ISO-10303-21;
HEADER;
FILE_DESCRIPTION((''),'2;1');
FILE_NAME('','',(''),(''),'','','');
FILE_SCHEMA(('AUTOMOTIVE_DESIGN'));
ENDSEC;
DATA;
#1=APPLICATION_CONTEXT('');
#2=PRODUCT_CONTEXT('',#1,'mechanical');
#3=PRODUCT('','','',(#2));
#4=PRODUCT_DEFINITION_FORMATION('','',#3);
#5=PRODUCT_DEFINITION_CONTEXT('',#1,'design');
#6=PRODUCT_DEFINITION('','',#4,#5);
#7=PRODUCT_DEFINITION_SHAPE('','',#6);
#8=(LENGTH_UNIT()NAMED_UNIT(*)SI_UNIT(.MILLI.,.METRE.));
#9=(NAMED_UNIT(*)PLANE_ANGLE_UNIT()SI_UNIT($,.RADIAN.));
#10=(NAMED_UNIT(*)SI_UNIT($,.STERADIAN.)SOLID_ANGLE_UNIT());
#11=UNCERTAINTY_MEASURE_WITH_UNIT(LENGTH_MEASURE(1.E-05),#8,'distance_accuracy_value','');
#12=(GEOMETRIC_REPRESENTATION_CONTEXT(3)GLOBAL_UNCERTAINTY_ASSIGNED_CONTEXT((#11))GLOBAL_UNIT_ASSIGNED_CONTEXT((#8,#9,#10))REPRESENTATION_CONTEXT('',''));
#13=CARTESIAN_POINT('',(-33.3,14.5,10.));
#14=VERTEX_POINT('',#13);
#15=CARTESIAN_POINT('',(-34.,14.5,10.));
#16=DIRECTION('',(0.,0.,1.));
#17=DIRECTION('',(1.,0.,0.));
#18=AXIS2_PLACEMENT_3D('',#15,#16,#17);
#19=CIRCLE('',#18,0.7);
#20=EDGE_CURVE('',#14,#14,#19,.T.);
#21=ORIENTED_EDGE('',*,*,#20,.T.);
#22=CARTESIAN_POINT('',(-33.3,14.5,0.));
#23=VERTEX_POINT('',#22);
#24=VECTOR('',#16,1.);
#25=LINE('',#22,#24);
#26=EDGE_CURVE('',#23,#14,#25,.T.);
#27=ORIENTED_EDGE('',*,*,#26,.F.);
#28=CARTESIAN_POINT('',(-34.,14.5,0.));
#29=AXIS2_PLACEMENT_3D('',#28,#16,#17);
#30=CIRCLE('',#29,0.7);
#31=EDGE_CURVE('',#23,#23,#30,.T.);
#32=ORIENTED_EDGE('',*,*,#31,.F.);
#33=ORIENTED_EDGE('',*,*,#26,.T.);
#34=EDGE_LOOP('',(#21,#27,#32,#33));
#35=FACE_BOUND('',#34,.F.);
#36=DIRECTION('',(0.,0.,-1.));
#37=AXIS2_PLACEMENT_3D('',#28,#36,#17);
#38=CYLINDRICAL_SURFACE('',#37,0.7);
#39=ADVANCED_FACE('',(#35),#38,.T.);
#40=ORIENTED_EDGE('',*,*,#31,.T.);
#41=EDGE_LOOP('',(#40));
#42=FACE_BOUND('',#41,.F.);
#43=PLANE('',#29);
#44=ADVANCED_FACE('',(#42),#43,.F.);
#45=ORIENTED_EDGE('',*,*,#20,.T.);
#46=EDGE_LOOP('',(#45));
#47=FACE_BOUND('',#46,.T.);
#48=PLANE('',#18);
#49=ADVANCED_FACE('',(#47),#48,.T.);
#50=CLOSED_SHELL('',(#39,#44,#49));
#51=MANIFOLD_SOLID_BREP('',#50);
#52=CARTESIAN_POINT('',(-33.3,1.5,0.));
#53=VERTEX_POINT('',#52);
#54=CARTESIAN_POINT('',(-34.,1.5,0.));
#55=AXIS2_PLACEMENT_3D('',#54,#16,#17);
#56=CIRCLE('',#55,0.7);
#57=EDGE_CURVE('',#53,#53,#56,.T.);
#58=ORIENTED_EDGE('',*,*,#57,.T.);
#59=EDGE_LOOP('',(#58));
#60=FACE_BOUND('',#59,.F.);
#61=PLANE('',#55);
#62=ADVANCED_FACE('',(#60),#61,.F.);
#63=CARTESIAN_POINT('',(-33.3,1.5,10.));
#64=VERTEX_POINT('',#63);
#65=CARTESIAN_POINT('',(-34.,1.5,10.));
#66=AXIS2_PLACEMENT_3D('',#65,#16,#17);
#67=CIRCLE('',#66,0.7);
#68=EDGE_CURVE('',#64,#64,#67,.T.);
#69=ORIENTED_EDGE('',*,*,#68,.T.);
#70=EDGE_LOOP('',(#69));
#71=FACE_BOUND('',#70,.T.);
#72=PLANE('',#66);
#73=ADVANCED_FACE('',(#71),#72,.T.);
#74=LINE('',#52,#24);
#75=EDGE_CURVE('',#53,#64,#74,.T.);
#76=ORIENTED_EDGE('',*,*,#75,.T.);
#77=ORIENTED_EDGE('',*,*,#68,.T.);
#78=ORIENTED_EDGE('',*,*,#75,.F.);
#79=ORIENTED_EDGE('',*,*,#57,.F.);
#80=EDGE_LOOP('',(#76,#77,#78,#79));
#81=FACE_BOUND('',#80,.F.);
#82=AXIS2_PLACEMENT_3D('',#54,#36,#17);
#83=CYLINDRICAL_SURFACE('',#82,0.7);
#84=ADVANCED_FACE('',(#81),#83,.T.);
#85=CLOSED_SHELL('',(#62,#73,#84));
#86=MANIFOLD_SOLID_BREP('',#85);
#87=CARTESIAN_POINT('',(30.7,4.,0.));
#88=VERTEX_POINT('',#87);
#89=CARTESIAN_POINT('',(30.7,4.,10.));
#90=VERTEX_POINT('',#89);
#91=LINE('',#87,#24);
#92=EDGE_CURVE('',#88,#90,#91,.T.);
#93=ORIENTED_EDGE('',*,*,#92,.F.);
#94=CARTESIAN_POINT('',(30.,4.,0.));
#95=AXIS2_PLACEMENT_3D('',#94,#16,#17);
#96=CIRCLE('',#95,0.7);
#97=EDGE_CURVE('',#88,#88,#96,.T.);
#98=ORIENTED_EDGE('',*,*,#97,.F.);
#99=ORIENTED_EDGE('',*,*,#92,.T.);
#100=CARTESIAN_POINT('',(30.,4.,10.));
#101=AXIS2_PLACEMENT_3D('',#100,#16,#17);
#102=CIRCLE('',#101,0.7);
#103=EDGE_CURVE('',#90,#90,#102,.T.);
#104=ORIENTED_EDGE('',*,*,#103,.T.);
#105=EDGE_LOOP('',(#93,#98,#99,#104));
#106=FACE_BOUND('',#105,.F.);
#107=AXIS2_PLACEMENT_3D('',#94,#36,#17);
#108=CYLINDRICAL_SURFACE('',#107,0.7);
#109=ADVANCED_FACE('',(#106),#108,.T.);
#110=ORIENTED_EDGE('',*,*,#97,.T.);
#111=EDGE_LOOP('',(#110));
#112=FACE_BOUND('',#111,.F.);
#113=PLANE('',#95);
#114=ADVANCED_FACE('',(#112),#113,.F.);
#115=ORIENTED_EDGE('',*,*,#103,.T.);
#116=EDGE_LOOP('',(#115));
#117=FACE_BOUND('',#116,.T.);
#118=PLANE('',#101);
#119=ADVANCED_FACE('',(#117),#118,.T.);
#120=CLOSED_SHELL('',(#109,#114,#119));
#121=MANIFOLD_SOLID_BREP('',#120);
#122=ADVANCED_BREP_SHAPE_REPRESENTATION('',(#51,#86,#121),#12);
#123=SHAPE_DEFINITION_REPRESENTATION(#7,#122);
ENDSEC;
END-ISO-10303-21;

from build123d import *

# Parameters (mm, degrees)
CYLINDER013_R     = 0.7
CYLINDER013_DEPTH = 10
CYLINDER012_R     = 0.7
CYLINDER012_DEPTH = 10
CYLINDER014_R     = 0.7
CYLINDER014_DEPTH = 10


with BuildPart() as cylinder013:
    # Cylinder013 → Cylinder013 (new body)
    with BuildSketch(Plane(origin=(-34, 1.5, 0), x_dir=(1, 0, 0), z_dir=(0, 0, 1))):
        Circle(CYLINDER013_R)
    extrude(amount=CYLINDER013_DEPTH)


with BuildPart() as cylinder012:
    # Cylinder012 → Cylinder012 (new body)
    with BuildSketch(Plane(origin=(-34, 14.5, 0), x_dir=(1, 0, 0), z_dir=(0, 0, 1))):
        Circle(CYLINDER012_R)
    extrude(amount=CYLINDER012_DEPTH)


with BuildPart() as fusion003007:
    # Cylinder014 → Cylinder014 (new body)
    with BuildSketch(Plane(origin=(30, 4, 0), x_dir=(1, 0, 0), z_dir=(0, 0, 1))):
        Circle(CYLINDER014_R)
    extrude(amount=CYLINDER014_DEPTH)

    # Fusion003007: union Cylinder013, Cylinder012
    add(cylinder013.part)
    add(cylinder012.part)


solid = fusion003007.part
